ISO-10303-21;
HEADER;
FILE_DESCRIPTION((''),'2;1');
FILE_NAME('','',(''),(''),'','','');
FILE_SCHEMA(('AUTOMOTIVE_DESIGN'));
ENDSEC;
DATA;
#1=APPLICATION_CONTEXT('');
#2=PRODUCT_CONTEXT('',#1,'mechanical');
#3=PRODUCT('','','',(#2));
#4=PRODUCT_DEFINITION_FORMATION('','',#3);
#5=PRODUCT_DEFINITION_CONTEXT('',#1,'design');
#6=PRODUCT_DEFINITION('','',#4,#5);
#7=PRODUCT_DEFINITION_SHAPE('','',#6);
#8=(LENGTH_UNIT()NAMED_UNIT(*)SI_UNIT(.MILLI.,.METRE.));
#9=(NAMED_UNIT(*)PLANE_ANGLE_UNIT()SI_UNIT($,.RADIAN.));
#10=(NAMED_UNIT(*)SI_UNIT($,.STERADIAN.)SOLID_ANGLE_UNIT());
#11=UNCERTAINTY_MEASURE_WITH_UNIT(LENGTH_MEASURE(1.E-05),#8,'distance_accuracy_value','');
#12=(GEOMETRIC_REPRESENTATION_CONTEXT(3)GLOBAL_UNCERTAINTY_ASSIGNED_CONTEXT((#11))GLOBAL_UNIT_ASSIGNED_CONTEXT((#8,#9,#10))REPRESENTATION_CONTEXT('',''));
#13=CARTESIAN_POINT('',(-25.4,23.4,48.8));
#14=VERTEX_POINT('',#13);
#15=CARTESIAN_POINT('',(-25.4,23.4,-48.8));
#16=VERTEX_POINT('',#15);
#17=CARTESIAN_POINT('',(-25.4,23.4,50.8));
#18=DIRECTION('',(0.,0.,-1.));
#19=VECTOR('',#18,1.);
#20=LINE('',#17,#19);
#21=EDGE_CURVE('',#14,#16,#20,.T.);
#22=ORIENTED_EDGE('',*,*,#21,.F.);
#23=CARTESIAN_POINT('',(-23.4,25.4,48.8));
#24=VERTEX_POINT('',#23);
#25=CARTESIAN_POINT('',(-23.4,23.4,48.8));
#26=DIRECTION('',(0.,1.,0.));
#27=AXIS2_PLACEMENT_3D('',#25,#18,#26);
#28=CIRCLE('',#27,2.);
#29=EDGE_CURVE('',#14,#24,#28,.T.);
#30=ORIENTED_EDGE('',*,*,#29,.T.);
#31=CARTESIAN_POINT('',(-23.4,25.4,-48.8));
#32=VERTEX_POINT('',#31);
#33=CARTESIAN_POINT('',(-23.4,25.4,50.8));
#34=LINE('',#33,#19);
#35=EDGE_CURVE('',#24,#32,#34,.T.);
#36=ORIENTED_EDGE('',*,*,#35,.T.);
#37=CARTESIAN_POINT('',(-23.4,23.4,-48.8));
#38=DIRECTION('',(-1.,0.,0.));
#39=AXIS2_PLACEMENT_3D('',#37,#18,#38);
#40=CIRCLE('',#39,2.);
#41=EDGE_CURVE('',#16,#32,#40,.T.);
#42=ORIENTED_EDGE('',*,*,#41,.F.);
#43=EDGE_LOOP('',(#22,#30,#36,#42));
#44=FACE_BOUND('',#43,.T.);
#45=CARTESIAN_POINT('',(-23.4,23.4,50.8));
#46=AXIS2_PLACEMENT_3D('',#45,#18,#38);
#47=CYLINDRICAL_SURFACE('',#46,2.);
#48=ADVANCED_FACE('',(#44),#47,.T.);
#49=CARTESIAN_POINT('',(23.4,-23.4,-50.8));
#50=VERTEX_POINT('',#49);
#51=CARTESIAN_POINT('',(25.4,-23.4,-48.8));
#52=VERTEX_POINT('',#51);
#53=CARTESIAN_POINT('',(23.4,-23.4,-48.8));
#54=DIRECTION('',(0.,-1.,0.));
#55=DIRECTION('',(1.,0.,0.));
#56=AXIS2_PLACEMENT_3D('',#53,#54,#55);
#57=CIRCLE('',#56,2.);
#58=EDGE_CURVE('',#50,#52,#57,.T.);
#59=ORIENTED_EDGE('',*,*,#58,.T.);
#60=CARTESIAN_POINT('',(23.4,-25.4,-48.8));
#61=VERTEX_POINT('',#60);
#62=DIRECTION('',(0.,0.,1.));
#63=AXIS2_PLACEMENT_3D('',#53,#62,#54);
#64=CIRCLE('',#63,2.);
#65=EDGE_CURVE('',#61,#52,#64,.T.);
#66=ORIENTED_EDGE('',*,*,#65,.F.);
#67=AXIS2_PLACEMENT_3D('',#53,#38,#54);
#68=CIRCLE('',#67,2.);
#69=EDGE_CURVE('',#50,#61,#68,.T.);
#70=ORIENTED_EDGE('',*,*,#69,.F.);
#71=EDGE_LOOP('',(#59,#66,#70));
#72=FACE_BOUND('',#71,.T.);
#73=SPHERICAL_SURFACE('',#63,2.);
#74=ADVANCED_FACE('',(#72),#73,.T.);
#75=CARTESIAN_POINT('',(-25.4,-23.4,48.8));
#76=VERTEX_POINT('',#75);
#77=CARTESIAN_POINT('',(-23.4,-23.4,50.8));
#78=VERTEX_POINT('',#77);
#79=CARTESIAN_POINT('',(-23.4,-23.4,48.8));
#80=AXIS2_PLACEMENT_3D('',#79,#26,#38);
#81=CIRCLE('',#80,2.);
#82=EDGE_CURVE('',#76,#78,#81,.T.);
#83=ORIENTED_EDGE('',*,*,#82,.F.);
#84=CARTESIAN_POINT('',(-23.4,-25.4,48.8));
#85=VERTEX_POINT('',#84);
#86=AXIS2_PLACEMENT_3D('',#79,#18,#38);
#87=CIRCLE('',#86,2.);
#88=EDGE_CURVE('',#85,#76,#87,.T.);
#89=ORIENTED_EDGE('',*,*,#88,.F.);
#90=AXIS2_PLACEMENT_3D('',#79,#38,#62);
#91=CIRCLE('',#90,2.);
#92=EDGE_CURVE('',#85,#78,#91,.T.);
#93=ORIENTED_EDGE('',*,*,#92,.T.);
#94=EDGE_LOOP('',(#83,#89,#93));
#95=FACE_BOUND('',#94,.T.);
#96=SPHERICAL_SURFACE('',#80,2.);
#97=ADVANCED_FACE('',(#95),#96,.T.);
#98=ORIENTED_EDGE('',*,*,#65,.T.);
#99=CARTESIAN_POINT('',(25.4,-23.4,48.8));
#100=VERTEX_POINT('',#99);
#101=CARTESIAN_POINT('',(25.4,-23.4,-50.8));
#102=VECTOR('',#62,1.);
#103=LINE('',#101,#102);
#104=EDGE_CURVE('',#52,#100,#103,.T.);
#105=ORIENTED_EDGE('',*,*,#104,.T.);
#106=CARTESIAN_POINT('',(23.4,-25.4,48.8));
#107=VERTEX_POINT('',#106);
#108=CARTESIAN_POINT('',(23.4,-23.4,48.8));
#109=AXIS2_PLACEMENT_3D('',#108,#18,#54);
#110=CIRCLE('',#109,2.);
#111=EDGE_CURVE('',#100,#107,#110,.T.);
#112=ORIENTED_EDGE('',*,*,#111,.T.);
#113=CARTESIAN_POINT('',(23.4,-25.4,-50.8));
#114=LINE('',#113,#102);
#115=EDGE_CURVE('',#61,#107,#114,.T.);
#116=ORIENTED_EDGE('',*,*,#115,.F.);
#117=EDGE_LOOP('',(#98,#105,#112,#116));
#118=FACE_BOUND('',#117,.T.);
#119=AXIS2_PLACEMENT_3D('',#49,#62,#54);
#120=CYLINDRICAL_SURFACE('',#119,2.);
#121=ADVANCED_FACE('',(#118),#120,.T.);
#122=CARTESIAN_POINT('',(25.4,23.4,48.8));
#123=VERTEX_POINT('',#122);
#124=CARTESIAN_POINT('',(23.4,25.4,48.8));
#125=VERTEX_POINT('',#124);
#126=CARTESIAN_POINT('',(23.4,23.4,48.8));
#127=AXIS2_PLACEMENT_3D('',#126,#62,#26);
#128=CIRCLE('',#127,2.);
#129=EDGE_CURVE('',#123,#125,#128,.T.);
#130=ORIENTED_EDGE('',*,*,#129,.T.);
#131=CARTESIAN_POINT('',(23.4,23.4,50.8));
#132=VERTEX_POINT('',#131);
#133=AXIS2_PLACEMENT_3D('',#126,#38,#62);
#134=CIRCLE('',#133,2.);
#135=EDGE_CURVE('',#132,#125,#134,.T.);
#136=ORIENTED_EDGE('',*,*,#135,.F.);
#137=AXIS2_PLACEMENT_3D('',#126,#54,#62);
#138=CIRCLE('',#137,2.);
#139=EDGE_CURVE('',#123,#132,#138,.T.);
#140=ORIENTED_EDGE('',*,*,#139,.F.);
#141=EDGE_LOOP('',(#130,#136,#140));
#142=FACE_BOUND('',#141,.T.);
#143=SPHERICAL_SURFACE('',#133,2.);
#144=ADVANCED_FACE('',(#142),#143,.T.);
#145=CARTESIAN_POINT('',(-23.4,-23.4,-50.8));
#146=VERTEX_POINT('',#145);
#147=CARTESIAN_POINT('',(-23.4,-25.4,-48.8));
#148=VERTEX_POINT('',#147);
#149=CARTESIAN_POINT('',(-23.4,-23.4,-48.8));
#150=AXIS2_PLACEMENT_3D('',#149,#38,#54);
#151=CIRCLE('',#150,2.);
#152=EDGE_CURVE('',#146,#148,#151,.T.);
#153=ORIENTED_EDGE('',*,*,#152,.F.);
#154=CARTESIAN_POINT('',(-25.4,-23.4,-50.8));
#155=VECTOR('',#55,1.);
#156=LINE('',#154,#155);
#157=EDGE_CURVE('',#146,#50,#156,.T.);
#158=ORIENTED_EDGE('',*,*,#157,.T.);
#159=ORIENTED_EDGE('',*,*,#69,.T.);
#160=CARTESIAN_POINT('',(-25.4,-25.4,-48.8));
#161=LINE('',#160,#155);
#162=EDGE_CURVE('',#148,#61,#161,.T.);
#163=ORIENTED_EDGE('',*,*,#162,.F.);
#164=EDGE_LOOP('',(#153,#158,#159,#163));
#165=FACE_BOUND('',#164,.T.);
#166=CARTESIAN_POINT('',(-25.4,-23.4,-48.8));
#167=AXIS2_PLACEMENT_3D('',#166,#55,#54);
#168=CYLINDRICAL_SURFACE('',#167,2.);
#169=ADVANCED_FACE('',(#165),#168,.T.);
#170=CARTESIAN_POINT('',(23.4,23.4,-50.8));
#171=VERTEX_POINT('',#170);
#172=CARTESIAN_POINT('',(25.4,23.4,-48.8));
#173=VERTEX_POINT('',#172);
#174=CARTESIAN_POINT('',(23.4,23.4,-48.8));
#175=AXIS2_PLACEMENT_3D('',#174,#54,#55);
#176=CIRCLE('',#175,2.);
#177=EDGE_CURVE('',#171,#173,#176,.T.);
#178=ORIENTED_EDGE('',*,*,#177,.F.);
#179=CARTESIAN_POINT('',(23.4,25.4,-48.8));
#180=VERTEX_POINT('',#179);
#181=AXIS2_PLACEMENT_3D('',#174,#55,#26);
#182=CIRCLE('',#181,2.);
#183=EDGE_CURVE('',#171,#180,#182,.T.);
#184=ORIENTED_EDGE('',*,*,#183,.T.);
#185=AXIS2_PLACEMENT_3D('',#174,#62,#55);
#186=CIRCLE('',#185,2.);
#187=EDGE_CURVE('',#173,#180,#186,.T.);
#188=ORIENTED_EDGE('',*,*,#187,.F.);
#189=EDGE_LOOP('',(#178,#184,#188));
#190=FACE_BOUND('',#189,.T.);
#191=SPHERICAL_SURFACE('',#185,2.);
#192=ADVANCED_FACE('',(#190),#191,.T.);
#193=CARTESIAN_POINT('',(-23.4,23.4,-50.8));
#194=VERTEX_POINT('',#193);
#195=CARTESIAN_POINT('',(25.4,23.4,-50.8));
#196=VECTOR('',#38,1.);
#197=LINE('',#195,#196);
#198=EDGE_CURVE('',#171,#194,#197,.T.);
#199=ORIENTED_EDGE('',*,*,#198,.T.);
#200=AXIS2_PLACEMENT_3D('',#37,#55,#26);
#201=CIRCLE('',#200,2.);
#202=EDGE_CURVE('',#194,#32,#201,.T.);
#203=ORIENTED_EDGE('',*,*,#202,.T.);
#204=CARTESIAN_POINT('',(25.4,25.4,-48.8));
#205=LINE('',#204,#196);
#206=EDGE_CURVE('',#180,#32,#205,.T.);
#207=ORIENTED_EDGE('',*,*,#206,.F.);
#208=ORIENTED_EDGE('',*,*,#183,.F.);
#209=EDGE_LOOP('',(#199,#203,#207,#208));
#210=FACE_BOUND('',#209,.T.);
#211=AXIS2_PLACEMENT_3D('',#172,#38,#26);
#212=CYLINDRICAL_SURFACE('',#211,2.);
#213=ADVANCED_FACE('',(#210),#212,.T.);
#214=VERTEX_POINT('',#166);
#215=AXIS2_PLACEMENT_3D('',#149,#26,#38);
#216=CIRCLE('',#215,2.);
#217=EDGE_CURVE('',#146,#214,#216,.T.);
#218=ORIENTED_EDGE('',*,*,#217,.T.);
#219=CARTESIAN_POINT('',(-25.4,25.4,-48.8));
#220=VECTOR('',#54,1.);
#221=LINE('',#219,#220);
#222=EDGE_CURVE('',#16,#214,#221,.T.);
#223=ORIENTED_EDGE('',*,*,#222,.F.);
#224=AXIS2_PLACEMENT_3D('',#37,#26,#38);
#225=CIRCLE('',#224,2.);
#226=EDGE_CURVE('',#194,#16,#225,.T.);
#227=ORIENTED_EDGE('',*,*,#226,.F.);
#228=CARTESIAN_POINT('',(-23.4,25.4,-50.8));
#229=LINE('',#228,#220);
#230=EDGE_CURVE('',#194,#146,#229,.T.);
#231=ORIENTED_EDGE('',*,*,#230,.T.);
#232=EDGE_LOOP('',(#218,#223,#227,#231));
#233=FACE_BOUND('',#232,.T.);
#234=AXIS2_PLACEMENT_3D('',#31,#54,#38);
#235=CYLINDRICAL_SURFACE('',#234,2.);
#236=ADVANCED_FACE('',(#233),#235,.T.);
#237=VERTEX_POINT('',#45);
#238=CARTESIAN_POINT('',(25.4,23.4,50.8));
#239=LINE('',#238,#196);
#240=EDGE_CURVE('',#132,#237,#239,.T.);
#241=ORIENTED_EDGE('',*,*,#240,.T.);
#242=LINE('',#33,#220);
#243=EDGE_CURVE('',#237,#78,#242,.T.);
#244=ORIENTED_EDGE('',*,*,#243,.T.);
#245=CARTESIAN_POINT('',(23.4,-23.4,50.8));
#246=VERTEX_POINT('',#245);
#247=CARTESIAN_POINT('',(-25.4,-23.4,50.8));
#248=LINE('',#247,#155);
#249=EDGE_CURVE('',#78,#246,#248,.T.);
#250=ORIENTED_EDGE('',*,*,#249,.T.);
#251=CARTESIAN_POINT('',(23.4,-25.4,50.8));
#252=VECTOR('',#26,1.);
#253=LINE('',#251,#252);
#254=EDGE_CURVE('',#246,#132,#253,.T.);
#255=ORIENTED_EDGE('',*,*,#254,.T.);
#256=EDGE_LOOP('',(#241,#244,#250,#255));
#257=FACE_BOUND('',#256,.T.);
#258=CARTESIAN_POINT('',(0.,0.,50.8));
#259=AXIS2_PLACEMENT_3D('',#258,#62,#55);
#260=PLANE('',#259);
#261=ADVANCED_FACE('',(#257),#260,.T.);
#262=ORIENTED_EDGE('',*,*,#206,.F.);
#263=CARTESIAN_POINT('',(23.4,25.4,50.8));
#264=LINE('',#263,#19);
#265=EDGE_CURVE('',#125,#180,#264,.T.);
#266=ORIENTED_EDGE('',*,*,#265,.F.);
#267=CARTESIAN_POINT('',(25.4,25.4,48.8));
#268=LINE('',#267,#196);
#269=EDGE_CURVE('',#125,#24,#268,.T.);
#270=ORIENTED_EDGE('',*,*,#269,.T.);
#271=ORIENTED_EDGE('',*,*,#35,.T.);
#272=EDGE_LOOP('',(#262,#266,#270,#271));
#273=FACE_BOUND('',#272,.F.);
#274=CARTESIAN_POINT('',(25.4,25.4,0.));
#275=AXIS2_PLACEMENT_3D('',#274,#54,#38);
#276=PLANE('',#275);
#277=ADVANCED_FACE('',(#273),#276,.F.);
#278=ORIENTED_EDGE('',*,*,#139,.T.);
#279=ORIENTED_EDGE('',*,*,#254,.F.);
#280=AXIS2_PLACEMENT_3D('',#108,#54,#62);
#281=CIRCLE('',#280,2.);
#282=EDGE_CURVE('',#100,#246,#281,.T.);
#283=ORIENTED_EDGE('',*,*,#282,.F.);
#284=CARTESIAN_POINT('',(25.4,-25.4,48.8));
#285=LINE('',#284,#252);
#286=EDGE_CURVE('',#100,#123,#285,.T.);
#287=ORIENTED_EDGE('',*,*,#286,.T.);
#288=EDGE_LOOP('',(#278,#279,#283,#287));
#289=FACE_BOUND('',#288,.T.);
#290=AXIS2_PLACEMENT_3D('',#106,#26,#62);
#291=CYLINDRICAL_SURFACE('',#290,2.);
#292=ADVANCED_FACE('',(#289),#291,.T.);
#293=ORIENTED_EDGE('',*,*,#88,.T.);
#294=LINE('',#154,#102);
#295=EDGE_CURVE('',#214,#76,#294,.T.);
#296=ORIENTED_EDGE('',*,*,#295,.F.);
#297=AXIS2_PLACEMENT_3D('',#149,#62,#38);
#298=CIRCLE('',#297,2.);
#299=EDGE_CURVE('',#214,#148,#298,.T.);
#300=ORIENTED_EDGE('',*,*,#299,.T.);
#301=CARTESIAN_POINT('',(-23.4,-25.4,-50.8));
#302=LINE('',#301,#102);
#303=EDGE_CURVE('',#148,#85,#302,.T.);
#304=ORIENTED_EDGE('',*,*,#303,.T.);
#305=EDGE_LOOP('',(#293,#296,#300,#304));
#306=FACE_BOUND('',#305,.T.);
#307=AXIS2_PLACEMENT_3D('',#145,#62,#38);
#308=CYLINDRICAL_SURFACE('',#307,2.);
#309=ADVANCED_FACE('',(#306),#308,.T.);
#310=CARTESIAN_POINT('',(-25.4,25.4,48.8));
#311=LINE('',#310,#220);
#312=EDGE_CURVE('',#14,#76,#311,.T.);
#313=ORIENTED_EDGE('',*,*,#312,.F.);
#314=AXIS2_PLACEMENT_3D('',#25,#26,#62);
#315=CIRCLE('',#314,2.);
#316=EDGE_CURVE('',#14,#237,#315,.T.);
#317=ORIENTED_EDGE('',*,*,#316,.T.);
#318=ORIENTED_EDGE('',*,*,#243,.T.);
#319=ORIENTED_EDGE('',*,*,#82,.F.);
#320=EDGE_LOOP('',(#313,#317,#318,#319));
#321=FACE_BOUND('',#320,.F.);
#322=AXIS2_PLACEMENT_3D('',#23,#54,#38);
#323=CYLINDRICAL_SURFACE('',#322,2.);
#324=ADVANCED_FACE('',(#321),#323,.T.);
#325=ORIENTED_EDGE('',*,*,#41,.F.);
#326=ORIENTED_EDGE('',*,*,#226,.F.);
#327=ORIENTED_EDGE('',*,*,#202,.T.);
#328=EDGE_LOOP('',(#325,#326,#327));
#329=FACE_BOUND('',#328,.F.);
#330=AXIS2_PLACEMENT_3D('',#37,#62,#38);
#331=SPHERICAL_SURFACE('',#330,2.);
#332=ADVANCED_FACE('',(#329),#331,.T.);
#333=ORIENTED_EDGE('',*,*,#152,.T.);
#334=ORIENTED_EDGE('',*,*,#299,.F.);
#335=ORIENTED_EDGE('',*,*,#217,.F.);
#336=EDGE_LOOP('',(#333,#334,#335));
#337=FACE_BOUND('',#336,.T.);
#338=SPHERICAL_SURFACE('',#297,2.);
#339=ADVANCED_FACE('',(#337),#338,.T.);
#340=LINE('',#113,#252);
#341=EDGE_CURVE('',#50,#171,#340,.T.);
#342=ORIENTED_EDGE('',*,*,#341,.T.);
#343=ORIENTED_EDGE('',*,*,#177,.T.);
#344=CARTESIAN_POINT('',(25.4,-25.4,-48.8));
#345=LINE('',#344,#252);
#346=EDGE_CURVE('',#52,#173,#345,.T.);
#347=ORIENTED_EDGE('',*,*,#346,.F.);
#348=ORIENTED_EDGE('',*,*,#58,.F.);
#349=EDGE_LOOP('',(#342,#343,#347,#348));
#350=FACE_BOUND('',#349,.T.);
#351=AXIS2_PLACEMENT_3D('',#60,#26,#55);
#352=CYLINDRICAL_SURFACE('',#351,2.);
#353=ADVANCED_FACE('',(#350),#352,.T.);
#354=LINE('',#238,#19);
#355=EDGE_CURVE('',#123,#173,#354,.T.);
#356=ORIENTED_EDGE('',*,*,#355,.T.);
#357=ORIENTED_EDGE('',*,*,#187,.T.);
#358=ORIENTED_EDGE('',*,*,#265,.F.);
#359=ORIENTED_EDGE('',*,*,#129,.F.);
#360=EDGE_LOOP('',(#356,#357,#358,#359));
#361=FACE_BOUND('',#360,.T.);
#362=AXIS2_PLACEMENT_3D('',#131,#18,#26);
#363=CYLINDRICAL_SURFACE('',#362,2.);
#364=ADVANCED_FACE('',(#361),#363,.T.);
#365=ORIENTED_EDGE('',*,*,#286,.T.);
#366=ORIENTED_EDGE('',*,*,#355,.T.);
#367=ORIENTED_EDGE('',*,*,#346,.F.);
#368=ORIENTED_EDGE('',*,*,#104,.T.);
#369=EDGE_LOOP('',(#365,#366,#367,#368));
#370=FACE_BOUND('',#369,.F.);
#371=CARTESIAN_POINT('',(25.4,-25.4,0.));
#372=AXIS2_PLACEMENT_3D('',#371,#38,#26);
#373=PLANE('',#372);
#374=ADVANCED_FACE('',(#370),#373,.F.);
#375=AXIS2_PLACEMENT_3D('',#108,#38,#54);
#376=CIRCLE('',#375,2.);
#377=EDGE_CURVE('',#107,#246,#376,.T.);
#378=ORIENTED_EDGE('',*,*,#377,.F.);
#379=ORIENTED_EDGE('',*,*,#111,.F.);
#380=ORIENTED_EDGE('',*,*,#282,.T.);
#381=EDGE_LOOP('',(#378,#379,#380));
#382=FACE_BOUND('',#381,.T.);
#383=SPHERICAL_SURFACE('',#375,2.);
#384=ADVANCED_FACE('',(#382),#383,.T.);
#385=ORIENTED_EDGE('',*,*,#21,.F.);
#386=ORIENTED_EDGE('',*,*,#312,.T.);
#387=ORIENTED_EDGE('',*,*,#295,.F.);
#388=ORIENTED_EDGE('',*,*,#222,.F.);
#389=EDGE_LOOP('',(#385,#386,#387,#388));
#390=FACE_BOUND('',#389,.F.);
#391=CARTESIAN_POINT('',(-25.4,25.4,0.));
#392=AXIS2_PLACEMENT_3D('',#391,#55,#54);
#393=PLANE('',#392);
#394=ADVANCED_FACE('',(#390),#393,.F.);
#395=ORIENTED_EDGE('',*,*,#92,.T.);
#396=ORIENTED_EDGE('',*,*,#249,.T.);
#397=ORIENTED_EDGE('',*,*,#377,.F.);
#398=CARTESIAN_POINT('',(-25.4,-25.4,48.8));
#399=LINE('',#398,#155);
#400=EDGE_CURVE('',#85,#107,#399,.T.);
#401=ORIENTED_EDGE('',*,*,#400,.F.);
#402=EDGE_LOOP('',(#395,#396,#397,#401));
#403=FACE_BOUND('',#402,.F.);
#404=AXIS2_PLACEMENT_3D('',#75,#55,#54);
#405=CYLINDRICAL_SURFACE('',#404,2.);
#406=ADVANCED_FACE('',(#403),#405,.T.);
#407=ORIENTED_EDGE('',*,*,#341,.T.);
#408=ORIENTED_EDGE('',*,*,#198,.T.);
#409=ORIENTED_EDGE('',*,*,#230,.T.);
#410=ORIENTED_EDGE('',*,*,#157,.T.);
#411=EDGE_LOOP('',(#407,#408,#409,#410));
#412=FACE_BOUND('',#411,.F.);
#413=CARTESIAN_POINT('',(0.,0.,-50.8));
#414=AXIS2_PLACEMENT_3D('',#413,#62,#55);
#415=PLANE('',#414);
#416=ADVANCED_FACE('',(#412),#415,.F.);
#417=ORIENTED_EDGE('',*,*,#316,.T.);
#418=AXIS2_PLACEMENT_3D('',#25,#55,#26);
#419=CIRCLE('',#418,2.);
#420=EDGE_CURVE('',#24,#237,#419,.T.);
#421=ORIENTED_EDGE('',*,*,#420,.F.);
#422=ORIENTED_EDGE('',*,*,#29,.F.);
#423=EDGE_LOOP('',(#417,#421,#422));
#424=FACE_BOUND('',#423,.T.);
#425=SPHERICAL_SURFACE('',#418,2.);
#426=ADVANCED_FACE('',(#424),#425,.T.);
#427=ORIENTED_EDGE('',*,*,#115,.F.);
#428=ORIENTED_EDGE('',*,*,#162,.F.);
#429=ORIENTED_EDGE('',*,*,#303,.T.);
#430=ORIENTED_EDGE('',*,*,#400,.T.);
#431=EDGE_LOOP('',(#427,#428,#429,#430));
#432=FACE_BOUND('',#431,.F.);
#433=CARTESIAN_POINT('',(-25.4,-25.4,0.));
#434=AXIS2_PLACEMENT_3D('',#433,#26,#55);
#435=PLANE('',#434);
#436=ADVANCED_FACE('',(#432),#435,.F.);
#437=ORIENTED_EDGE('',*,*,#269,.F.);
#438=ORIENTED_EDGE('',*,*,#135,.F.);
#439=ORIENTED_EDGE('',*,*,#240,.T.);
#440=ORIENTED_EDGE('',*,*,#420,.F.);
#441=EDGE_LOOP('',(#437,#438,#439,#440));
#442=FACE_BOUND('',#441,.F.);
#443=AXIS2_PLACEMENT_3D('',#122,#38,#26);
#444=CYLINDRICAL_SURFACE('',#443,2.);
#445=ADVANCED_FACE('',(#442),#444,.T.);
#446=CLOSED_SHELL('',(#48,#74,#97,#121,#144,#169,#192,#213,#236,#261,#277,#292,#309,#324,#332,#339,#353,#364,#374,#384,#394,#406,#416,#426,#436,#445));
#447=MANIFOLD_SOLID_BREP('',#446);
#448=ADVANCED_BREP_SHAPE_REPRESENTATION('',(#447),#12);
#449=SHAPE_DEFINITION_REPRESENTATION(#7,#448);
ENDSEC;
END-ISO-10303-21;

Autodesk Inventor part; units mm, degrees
ref_plane "YZ Plane" through (0, 0, 0) normal (1, 0, 0) x (0, 1, 0)
ref_plane "XZ Plane" through (0, 0, 0) normal (0, 1, 0) x (-1, 0, 0)
ref_plane "XY Plane" through (0, 0, 0) normal (0, 0, 1) x (1, 0, 0)
sketch "Sketch1" plane through (0, 0, 0) normal (0, 0, 1) x (1, 0, 0)
  line L0 (-25.4, -25.4) -> (25.4, -25.4)
  line L1 (25.4, -25.4) -> (25.4, 25.4)
  line L2 (25.4, 25.4) -> (-25.4, 25.4)
  line L3 (-25.4, 25.4) -> (-25.4, -25.4)
  line L4 (-25.4, -25.4) -> (25.4, 25.4) construction
  line L5 (25.4, -25.4) -> (-25.4, 25.4) construction
  point P0 (0, 0)
  dimension "d0" = 50.8
  dimension "d1" = 50.8
extrude "Extrusion1" add sketch "Sketch1" along normal mid plane 101.6
fillet "Fillet1" radius 2 12 edges at (0, 25.4, 50.8) (-25.4, 25.4, 0) (-25.4, 0, 50.8) (-25.4, -25.4, 0) (0, -25.4, 50.8) (25.4, -25.4, 0) (25.4, 0, 50.8) (25.4, 25.4, 0) (-25.4, 0, -50.8) (0, -25.4, -50.8) (25.4, 0, -50.8) (0, 25.4, -50.8)
properties part number "1111A_Individual NdFeB Block_V1" material "Stainless Steel"
